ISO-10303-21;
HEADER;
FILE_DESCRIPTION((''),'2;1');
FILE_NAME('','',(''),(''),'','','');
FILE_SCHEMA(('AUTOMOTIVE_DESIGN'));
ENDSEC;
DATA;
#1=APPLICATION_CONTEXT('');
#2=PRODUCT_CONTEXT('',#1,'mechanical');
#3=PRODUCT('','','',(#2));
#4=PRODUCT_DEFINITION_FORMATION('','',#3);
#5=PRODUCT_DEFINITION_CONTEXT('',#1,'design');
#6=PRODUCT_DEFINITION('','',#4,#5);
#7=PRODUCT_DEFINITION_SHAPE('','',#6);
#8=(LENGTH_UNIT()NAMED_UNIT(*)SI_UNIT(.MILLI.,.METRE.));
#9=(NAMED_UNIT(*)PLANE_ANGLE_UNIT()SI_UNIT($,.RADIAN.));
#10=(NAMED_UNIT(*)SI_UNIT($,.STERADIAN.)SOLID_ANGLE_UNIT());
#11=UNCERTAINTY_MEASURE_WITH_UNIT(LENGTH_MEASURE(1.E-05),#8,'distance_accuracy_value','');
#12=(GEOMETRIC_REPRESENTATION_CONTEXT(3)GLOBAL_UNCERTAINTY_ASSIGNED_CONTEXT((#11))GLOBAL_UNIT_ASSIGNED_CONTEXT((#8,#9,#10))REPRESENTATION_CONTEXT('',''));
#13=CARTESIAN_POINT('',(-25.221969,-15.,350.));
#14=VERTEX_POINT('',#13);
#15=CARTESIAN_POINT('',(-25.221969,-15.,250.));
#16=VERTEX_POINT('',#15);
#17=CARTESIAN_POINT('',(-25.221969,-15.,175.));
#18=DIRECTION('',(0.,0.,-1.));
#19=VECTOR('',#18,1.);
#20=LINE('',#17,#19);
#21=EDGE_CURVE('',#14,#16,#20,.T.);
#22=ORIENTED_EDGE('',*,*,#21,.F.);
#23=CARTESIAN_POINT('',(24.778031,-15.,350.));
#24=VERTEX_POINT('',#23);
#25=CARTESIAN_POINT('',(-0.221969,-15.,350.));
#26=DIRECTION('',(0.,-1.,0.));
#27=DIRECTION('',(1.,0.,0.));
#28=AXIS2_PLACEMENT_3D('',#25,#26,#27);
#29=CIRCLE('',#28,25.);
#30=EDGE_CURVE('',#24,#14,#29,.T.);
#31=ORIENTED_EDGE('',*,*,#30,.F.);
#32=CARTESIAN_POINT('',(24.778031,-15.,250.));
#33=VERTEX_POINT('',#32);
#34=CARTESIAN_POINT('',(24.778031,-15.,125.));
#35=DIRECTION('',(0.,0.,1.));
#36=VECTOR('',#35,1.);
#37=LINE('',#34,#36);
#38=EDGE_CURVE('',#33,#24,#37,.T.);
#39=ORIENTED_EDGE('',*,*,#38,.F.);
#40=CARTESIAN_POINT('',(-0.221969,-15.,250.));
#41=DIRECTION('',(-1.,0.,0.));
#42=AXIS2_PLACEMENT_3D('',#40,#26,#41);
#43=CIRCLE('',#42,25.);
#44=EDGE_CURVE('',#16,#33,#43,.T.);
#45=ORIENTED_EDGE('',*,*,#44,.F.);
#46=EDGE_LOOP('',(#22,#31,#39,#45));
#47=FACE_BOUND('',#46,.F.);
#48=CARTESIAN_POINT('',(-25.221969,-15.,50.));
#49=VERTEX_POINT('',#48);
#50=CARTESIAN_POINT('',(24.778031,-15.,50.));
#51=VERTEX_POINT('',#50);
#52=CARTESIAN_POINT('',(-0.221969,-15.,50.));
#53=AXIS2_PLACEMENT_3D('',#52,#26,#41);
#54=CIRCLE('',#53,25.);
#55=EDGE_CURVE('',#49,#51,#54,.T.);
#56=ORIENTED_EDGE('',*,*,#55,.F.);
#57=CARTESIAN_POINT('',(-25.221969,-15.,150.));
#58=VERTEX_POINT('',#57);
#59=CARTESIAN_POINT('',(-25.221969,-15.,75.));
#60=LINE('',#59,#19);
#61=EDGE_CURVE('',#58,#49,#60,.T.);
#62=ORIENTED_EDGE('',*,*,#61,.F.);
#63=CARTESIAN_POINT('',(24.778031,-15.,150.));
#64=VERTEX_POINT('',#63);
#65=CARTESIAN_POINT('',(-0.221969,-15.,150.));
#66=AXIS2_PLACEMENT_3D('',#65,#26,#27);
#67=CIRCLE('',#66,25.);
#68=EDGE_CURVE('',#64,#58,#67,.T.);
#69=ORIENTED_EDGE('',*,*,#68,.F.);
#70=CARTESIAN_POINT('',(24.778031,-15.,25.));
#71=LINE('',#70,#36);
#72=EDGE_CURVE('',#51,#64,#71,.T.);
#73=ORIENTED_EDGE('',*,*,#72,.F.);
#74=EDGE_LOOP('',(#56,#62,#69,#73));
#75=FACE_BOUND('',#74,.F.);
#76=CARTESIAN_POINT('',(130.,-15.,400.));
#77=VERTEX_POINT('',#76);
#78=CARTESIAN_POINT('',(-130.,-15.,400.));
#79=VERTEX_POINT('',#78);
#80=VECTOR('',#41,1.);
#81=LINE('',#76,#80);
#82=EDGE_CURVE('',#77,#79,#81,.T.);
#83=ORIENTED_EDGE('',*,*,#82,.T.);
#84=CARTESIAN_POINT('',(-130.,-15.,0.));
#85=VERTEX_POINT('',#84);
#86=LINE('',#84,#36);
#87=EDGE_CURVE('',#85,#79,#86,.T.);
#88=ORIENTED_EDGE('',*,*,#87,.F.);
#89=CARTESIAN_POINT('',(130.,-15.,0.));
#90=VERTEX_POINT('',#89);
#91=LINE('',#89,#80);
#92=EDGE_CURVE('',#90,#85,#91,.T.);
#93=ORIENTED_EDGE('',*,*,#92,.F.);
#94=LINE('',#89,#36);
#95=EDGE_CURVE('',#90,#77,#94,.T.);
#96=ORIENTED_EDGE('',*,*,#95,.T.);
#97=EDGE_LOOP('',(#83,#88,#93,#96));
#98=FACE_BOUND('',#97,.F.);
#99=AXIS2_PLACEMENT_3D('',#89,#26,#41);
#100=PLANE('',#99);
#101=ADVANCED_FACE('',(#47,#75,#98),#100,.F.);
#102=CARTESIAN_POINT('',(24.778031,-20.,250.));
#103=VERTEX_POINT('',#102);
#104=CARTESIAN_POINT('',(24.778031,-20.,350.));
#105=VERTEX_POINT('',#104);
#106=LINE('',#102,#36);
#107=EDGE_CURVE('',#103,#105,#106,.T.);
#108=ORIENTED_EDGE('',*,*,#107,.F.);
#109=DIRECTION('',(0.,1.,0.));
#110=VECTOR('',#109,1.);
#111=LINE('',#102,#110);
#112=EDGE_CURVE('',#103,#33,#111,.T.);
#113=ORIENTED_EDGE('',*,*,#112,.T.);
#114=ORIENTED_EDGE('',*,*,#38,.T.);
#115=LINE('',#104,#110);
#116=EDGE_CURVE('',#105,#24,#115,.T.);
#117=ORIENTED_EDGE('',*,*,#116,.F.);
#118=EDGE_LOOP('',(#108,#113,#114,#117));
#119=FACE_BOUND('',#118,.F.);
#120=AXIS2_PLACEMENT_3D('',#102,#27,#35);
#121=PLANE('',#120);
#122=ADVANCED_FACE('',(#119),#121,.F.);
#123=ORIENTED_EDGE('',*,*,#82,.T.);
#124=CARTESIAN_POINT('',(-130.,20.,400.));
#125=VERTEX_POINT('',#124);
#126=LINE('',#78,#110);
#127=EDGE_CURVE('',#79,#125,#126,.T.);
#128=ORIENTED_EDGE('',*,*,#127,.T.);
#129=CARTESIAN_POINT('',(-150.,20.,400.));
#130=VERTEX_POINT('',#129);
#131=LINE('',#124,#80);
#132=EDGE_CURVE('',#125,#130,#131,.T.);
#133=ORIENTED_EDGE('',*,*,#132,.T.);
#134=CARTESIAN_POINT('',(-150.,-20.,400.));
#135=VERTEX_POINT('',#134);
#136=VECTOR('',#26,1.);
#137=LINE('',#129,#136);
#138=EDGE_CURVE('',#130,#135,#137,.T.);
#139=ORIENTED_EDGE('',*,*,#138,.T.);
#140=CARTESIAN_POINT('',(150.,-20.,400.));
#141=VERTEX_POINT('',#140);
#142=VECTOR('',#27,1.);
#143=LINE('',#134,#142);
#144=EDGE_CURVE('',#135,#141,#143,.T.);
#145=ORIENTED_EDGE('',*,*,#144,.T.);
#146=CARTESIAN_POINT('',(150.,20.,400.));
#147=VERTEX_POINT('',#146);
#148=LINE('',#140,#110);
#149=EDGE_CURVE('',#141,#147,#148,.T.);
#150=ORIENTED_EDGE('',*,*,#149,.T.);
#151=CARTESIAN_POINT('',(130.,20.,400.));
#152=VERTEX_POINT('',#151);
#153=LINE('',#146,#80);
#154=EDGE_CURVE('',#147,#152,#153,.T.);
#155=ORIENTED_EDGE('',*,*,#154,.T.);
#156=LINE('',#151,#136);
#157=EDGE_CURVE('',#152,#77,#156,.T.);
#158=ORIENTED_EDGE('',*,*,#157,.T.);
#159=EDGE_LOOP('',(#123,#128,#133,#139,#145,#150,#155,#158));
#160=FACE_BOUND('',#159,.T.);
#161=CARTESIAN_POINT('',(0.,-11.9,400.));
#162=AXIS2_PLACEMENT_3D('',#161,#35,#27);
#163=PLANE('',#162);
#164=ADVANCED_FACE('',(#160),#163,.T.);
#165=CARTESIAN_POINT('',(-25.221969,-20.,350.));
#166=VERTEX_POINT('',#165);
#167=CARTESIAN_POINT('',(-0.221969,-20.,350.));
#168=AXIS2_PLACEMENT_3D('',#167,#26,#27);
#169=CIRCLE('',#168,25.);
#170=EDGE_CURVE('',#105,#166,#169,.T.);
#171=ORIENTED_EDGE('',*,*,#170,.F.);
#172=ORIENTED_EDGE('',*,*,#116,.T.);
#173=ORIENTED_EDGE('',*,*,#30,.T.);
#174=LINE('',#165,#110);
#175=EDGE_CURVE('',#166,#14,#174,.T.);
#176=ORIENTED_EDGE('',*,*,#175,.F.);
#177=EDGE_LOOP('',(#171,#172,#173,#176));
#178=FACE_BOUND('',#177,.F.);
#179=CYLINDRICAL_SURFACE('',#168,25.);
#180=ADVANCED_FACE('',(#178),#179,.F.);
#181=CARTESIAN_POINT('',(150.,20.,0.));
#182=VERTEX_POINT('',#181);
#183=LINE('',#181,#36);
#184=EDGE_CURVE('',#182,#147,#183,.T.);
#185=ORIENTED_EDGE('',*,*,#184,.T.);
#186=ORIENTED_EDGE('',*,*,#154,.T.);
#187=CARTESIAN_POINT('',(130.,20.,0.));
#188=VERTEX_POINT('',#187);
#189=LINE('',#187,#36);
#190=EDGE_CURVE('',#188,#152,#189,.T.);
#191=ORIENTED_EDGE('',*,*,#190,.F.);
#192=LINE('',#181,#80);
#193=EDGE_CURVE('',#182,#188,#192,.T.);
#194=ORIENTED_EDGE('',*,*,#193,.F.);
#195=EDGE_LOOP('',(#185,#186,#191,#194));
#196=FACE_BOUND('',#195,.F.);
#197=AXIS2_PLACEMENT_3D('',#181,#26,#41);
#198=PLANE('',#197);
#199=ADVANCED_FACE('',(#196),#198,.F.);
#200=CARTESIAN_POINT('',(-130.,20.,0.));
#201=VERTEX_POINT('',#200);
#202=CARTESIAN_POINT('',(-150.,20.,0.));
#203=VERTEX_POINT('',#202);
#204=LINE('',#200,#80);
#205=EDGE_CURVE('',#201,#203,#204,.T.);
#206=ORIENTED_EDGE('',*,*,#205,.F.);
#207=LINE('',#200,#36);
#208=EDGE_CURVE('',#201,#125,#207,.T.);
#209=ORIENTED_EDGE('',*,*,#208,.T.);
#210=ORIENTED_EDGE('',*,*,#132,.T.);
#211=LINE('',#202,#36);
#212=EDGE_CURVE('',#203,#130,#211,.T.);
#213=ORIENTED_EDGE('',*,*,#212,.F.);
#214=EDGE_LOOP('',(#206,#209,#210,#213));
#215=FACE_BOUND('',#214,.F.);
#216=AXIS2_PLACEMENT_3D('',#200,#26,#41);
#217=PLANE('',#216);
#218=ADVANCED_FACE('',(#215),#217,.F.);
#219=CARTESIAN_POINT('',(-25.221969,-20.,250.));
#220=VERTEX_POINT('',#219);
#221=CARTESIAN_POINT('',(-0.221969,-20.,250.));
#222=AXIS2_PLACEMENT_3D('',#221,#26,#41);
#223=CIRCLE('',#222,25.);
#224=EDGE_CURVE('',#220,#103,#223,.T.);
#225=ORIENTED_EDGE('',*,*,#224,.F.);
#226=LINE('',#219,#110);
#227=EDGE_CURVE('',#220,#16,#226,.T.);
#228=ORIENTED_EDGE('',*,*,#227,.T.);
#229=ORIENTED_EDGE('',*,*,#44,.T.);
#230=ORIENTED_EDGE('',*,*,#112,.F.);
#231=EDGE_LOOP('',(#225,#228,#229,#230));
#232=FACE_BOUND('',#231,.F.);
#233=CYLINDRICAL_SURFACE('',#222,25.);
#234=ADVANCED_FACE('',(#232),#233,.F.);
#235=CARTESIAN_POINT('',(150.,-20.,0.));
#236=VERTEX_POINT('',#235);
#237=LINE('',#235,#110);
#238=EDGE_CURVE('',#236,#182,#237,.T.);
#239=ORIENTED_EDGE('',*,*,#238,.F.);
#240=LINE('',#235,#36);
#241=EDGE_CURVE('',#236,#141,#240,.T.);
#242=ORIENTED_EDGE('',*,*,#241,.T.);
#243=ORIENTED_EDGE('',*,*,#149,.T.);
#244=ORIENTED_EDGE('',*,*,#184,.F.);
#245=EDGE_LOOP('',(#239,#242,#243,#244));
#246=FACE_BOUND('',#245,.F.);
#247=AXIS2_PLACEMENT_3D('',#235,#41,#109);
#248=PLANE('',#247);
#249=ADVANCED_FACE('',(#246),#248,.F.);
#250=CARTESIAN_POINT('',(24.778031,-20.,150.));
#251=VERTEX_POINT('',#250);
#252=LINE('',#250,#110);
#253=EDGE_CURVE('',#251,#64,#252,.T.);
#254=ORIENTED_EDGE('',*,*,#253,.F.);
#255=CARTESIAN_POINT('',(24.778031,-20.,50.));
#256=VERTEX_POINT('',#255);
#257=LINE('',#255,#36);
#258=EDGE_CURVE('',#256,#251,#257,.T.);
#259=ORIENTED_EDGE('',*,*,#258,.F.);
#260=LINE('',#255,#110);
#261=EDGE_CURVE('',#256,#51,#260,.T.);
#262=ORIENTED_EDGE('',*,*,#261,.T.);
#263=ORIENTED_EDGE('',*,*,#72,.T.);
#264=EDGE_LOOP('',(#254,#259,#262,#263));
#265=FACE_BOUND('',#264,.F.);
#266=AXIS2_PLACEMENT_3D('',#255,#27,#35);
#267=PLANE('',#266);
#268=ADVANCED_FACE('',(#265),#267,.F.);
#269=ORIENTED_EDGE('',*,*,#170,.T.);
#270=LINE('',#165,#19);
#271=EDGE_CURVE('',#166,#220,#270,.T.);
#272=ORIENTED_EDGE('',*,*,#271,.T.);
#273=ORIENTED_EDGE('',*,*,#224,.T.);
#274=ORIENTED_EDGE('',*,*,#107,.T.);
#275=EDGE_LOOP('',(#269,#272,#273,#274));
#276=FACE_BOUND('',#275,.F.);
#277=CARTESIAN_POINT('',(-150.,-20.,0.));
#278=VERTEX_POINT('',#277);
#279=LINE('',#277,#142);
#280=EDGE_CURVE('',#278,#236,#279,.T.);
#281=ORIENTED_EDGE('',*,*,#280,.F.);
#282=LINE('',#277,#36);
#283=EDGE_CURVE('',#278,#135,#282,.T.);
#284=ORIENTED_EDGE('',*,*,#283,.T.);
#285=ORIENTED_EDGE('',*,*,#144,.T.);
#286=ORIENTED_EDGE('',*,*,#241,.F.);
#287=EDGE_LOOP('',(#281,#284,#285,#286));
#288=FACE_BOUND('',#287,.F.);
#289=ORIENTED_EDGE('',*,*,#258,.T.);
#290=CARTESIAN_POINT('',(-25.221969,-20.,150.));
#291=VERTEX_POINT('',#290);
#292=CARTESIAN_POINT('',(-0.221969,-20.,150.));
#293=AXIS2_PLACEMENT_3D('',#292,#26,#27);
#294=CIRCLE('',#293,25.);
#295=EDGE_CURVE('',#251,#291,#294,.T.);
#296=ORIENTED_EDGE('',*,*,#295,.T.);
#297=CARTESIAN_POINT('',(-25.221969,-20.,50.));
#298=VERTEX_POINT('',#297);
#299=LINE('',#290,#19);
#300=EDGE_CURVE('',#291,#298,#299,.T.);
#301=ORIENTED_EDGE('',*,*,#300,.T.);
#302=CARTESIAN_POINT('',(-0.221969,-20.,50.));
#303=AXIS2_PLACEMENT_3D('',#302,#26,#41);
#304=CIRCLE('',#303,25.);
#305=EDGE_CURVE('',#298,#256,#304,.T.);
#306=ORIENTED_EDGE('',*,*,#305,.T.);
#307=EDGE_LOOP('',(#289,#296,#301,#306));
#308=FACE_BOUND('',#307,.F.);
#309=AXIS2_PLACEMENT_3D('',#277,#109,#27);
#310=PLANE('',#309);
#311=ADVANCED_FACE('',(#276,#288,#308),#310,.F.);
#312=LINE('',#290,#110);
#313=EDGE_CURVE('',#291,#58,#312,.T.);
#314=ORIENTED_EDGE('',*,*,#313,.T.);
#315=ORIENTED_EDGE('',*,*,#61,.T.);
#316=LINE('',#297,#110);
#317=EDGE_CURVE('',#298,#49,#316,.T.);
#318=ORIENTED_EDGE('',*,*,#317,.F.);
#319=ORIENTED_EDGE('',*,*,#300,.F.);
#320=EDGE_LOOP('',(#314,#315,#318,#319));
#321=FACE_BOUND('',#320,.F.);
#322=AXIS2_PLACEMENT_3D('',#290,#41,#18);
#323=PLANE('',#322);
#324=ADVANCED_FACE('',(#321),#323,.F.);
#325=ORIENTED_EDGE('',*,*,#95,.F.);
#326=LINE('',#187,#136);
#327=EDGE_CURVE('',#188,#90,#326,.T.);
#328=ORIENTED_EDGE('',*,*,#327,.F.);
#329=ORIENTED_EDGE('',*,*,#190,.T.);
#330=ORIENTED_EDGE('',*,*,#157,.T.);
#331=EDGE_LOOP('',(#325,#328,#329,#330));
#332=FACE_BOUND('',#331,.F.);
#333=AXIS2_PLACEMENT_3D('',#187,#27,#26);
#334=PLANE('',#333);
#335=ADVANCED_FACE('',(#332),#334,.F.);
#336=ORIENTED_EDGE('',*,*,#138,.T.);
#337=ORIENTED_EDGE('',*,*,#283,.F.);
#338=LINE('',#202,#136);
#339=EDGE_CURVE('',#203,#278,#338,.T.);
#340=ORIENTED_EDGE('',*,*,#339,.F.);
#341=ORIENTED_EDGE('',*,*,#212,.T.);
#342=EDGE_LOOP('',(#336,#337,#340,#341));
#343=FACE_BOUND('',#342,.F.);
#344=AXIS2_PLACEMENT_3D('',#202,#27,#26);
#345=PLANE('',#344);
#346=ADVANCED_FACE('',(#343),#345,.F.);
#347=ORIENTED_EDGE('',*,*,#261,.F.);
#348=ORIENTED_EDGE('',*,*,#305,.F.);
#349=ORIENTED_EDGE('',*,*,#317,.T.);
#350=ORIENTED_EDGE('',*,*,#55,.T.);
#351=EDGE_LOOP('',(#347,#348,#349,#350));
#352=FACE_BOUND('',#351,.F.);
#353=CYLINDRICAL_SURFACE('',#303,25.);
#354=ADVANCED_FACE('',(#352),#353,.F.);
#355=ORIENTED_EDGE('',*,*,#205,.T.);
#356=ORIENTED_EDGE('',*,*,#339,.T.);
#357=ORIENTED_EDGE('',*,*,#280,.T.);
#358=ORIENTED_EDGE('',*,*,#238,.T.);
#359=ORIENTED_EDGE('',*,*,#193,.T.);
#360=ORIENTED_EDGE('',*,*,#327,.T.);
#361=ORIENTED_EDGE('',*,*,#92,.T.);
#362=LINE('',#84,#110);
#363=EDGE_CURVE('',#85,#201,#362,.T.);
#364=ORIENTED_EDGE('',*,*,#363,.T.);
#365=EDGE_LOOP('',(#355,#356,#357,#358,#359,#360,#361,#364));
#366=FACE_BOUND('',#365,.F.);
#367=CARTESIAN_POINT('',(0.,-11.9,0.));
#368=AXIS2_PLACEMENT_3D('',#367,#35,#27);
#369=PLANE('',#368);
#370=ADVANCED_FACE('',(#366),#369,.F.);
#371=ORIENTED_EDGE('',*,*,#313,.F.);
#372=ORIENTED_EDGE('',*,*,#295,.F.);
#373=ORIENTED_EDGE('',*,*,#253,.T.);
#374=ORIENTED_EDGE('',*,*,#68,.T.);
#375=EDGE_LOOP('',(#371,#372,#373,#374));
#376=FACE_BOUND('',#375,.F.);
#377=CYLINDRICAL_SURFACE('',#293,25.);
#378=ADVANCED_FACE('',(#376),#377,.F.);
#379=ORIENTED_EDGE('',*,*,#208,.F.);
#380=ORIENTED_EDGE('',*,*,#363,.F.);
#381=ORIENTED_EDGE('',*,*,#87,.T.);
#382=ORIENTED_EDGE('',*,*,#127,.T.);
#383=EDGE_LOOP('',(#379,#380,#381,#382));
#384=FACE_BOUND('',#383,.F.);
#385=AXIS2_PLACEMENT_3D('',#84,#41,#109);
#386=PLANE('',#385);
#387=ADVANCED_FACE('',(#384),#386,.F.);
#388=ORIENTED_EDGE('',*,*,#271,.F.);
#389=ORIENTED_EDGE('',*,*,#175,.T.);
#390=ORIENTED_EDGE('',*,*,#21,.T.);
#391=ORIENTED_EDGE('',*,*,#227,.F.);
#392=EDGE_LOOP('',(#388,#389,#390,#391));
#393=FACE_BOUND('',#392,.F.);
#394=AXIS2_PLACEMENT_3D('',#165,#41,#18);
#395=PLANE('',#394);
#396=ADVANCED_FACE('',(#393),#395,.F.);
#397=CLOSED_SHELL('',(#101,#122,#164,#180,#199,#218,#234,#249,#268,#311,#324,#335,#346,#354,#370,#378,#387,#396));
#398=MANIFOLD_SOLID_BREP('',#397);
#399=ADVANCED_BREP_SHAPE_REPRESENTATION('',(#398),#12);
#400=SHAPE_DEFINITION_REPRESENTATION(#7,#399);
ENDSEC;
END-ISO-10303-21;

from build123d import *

# Parameters (mm, degrees)
F1_DEPTH = 400
F3_DEPTH = 25


with BuildPart() as f1:
    # F0 (on Top) → F1 (new body)
    with BuildSketch(Plane.XY):
        Polygon((-150, 20), (-150, -20), (150, -20), (150, 20), (130, 20), (130, -15), (-130, -15), (-130, 20), align=None)
    extrude(amount=F1_DEPTH)

    # F2 (on face) → F3 (cut)
    with BuildSketch(Plane.XZ.offset(20)):
        with BuildLine():
            Line((-25.221969, 350), (-25.221969, 250))
            ThreePointArc((-25.221969, 250), (-0.221969, 225), (24.778031, 250))
            Line((24.778031, 250), (24.778031, 350))
            ThreePointArc((24.778031, 350), (-0.221969, 375), (-25.221969, 350))
        make_face()
        with BuildLine():
            Line((24.778031, 50), (24.778031, 150))
            ThreePointArc((24.778031, 150), (-0.221969, 175), (-25.221969, 150))
            Line((-25.221969, 150), (-25.221969, 50))
            ThreePointArc((-25.221969, 50), (-0.221969, 25), (24.778031, 50))
        make_face()
    extrude(amount=-F3_DEPTH, mode=Mode.SUBTRACT)


solid = f1.part
